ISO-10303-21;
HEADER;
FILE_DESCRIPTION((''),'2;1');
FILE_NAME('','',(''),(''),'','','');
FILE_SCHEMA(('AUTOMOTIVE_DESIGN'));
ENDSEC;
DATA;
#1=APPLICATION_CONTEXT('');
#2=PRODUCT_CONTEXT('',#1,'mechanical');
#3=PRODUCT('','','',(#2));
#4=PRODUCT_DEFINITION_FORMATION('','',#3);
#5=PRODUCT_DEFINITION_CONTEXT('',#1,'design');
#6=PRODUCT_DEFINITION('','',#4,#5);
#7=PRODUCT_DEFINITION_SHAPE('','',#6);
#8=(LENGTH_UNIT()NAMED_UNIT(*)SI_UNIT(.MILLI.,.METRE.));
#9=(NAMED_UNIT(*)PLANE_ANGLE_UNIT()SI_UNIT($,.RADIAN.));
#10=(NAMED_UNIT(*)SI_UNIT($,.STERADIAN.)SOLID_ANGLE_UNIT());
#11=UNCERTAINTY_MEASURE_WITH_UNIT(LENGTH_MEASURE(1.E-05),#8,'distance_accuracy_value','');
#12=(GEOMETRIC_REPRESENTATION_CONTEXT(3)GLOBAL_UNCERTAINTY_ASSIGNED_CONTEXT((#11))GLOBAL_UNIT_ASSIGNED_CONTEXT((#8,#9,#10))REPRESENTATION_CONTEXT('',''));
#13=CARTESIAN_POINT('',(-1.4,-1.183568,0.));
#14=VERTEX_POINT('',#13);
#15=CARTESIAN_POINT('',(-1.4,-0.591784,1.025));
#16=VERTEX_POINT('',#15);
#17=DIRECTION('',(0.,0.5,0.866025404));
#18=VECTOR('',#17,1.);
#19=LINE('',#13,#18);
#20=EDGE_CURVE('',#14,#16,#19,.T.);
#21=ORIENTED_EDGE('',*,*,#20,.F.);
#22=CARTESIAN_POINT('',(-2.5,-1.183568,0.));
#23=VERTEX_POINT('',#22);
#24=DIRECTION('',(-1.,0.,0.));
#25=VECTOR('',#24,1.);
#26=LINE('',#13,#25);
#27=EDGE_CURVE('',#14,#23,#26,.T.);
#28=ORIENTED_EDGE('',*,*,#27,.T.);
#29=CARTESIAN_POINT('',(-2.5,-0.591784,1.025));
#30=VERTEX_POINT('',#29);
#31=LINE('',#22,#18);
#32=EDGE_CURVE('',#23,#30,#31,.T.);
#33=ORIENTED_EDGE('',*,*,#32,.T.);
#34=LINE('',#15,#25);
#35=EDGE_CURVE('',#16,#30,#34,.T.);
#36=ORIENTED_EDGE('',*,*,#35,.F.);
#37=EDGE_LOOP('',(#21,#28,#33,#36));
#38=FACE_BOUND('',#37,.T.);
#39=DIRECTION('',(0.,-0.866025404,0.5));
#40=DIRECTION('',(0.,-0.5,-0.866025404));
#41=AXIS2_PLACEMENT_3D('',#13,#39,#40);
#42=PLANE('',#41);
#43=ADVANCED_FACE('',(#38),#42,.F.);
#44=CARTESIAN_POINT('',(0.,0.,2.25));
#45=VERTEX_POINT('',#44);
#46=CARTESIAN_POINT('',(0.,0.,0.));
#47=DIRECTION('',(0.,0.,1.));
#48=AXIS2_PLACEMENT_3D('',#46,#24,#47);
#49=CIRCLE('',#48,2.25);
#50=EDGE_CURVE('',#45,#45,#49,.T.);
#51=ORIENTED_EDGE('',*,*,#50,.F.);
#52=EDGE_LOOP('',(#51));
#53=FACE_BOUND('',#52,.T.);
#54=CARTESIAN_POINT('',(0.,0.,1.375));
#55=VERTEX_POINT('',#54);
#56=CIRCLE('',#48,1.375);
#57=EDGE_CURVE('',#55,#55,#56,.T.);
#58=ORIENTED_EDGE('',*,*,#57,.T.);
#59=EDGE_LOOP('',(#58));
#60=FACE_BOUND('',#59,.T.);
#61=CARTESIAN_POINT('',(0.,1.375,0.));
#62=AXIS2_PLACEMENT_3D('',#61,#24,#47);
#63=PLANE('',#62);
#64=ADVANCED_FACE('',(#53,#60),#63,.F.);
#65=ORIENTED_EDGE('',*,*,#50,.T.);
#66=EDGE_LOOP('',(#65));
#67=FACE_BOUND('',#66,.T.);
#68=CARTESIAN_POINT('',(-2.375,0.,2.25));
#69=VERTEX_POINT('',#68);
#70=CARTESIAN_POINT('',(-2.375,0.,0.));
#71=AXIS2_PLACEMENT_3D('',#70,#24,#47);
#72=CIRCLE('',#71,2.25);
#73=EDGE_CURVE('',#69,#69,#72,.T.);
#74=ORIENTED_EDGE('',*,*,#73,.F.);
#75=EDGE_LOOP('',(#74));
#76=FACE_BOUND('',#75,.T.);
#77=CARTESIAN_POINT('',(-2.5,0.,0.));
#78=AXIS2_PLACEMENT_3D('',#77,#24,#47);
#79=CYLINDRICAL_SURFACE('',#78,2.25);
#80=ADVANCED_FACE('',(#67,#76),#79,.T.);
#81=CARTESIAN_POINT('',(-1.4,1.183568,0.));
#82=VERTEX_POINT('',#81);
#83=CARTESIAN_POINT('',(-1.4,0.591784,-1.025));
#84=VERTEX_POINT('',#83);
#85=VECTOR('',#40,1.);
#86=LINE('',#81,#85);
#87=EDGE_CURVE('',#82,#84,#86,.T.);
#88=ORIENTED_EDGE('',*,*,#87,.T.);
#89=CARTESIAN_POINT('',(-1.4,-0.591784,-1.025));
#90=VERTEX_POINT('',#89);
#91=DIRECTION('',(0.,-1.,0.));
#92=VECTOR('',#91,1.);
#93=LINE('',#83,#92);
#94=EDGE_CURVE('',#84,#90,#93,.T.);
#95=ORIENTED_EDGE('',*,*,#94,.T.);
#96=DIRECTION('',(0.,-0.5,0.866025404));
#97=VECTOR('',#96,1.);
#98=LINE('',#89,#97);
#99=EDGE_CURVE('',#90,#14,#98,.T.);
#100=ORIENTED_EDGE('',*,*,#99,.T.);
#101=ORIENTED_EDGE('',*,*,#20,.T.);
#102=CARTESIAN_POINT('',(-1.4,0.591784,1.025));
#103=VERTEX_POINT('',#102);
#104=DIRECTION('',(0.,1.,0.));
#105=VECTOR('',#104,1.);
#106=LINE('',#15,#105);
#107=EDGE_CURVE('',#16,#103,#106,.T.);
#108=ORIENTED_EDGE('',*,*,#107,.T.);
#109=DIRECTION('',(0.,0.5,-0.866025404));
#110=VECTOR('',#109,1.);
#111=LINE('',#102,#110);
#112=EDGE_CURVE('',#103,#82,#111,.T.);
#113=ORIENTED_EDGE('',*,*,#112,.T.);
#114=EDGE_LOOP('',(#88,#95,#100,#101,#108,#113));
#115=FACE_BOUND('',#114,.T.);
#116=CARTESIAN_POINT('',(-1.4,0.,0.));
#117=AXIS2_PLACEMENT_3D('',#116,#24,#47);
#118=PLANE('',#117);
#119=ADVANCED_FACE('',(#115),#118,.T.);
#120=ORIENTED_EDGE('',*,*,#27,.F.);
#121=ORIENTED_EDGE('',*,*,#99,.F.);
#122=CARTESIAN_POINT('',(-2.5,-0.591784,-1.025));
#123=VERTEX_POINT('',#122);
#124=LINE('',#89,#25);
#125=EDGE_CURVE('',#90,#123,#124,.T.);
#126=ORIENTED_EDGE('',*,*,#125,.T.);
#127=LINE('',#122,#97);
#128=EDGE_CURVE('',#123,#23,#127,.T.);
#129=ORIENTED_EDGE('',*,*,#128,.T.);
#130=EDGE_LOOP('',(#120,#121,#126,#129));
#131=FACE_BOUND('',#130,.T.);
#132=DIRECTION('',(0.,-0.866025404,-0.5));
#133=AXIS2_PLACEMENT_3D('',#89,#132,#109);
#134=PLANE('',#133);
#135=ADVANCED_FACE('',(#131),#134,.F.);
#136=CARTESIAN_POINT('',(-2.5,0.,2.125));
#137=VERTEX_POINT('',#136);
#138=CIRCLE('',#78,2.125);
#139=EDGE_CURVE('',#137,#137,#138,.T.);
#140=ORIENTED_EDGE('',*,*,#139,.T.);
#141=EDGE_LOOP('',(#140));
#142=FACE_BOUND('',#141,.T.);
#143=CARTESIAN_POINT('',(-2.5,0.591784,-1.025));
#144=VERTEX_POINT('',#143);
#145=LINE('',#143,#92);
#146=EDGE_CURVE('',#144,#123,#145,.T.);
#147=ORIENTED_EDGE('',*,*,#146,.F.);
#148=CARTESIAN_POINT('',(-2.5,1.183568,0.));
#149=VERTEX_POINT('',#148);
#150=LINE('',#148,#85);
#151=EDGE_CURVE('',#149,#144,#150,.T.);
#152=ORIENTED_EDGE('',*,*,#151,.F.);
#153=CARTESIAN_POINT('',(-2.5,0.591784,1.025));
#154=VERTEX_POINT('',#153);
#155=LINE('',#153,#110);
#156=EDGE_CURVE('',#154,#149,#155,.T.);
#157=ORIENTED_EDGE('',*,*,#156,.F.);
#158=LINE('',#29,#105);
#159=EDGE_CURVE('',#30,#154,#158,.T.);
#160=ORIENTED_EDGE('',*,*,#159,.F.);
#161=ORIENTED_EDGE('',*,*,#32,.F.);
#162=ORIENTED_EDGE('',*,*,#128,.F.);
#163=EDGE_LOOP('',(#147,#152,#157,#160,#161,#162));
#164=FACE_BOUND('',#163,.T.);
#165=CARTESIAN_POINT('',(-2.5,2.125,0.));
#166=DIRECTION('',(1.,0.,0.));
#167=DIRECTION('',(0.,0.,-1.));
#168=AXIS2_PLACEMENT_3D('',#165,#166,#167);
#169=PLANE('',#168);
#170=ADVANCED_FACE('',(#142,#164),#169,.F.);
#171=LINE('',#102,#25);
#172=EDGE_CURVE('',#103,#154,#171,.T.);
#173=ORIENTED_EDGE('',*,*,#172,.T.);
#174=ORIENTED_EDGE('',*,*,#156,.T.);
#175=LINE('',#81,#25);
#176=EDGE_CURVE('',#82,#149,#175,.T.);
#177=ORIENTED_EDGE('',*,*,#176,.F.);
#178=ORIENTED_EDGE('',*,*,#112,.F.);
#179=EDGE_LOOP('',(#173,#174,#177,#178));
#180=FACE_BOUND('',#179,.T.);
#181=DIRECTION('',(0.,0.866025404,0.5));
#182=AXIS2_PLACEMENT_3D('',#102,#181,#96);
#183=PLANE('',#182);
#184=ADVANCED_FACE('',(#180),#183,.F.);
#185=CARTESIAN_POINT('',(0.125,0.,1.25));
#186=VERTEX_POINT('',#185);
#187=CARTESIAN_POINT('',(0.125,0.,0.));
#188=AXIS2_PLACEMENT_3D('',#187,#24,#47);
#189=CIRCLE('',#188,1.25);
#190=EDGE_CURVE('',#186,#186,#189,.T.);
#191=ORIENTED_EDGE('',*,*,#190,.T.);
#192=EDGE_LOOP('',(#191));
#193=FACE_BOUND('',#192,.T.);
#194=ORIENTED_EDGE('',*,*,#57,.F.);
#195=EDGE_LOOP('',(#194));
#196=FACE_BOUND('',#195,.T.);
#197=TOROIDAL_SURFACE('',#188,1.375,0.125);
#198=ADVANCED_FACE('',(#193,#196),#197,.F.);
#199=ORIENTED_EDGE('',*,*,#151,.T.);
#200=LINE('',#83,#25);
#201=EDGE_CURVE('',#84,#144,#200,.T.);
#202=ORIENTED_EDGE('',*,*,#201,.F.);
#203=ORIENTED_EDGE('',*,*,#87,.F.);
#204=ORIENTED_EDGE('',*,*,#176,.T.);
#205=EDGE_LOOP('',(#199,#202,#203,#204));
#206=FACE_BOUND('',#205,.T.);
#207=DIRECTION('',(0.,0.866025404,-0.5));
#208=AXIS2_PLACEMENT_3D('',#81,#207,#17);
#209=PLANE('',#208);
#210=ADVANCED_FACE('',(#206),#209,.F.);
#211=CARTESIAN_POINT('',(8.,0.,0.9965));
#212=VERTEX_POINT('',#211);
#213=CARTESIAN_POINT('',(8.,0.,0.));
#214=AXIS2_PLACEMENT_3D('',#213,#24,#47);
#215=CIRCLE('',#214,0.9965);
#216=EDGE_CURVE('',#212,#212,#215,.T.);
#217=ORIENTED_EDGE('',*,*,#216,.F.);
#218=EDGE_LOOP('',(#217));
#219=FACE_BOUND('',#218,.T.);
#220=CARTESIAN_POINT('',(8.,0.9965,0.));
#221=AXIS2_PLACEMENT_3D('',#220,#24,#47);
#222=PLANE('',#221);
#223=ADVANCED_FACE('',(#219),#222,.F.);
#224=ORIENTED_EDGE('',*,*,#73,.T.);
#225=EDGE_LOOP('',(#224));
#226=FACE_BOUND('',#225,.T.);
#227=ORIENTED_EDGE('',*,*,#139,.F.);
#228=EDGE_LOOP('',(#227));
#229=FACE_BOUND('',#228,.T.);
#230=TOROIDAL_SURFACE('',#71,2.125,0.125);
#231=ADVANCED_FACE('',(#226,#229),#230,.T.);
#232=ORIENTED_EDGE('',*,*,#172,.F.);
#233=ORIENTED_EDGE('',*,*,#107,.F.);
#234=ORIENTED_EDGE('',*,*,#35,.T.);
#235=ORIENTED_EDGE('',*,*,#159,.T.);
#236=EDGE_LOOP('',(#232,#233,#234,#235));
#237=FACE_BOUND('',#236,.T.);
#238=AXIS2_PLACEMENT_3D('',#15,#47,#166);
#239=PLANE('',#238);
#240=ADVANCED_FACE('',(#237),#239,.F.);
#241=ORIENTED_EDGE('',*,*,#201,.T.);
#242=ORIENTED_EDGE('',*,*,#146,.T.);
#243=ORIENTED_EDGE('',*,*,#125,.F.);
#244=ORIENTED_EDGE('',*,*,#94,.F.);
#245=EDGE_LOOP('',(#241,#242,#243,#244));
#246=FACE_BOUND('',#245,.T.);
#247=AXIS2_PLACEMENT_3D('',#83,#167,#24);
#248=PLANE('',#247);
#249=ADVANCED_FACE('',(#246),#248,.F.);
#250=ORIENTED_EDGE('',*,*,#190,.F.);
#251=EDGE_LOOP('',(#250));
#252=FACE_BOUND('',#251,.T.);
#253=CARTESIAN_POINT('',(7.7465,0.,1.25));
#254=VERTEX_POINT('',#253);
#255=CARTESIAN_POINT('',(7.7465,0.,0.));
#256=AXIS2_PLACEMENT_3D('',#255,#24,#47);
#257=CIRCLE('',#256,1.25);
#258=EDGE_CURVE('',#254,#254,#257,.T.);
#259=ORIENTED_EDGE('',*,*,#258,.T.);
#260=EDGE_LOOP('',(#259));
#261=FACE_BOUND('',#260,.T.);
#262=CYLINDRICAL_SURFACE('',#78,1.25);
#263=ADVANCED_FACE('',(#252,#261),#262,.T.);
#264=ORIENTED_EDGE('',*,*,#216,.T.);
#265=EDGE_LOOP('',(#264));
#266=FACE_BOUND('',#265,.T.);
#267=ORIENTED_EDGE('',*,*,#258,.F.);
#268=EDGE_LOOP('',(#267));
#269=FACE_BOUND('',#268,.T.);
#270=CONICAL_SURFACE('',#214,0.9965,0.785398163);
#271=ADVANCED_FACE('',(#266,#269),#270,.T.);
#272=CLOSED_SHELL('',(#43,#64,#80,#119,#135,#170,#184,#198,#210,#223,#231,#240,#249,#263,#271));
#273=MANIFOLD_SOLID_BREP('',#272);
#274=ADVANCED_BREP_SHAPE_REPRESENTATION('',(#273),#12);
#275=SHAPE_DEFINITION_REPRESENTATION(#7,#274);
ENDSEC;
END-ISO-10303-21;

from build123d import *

# Parameters (mm, degrees)
CUT_EXTRUDE1_DEPTH = 1.1


with BuildPart() as part:
    # Sketch1 → Revolve1 (revolve)
    with BuildSketch(Plane.XY):
        with BuildLine():
            Line((7.7465, 1.25), (0.125, 1.25))
            ThreePointArc((0.125, 1.25), (0.036611652, 1.286611652), (0, 1.375))
            Line((0, 1.375), (0, 2.25))
            Line((0, 2.25), (-2.375, 2.25))
            ThreePointArc((-2.375, 2.25), (-2.463388348, 2.213388348), (-2.5, 2.125))
            Line((-2.5, 2.125), (-2.5, 0))
            Line((-2.5, 0), (8, 0))
            Line((8, 0), (8, 0.9965))
            Line((8, 0.9965), (7.7465, 1.25))
        make_face()
    revolve(axis=Axis((-2.5, 0, 0), (1, 0, 0)))

    # Sketch2 → Cut-Extrude1 (cut)
    with BuildSketch(Plane.ZY.offset(2.5)):
        Polygon((1.025, 0.591784026), (0, 1.183568052), (-1.025, 0.591784026), (-1.025, -0.591784026), (0, -1.183568052), (1.025, -0.591784026), align=None)
    extrude(amount=-CUT_EXTRUDE1_DEPTH, mode=Mode.SUBTRACT)


solid = part.part
